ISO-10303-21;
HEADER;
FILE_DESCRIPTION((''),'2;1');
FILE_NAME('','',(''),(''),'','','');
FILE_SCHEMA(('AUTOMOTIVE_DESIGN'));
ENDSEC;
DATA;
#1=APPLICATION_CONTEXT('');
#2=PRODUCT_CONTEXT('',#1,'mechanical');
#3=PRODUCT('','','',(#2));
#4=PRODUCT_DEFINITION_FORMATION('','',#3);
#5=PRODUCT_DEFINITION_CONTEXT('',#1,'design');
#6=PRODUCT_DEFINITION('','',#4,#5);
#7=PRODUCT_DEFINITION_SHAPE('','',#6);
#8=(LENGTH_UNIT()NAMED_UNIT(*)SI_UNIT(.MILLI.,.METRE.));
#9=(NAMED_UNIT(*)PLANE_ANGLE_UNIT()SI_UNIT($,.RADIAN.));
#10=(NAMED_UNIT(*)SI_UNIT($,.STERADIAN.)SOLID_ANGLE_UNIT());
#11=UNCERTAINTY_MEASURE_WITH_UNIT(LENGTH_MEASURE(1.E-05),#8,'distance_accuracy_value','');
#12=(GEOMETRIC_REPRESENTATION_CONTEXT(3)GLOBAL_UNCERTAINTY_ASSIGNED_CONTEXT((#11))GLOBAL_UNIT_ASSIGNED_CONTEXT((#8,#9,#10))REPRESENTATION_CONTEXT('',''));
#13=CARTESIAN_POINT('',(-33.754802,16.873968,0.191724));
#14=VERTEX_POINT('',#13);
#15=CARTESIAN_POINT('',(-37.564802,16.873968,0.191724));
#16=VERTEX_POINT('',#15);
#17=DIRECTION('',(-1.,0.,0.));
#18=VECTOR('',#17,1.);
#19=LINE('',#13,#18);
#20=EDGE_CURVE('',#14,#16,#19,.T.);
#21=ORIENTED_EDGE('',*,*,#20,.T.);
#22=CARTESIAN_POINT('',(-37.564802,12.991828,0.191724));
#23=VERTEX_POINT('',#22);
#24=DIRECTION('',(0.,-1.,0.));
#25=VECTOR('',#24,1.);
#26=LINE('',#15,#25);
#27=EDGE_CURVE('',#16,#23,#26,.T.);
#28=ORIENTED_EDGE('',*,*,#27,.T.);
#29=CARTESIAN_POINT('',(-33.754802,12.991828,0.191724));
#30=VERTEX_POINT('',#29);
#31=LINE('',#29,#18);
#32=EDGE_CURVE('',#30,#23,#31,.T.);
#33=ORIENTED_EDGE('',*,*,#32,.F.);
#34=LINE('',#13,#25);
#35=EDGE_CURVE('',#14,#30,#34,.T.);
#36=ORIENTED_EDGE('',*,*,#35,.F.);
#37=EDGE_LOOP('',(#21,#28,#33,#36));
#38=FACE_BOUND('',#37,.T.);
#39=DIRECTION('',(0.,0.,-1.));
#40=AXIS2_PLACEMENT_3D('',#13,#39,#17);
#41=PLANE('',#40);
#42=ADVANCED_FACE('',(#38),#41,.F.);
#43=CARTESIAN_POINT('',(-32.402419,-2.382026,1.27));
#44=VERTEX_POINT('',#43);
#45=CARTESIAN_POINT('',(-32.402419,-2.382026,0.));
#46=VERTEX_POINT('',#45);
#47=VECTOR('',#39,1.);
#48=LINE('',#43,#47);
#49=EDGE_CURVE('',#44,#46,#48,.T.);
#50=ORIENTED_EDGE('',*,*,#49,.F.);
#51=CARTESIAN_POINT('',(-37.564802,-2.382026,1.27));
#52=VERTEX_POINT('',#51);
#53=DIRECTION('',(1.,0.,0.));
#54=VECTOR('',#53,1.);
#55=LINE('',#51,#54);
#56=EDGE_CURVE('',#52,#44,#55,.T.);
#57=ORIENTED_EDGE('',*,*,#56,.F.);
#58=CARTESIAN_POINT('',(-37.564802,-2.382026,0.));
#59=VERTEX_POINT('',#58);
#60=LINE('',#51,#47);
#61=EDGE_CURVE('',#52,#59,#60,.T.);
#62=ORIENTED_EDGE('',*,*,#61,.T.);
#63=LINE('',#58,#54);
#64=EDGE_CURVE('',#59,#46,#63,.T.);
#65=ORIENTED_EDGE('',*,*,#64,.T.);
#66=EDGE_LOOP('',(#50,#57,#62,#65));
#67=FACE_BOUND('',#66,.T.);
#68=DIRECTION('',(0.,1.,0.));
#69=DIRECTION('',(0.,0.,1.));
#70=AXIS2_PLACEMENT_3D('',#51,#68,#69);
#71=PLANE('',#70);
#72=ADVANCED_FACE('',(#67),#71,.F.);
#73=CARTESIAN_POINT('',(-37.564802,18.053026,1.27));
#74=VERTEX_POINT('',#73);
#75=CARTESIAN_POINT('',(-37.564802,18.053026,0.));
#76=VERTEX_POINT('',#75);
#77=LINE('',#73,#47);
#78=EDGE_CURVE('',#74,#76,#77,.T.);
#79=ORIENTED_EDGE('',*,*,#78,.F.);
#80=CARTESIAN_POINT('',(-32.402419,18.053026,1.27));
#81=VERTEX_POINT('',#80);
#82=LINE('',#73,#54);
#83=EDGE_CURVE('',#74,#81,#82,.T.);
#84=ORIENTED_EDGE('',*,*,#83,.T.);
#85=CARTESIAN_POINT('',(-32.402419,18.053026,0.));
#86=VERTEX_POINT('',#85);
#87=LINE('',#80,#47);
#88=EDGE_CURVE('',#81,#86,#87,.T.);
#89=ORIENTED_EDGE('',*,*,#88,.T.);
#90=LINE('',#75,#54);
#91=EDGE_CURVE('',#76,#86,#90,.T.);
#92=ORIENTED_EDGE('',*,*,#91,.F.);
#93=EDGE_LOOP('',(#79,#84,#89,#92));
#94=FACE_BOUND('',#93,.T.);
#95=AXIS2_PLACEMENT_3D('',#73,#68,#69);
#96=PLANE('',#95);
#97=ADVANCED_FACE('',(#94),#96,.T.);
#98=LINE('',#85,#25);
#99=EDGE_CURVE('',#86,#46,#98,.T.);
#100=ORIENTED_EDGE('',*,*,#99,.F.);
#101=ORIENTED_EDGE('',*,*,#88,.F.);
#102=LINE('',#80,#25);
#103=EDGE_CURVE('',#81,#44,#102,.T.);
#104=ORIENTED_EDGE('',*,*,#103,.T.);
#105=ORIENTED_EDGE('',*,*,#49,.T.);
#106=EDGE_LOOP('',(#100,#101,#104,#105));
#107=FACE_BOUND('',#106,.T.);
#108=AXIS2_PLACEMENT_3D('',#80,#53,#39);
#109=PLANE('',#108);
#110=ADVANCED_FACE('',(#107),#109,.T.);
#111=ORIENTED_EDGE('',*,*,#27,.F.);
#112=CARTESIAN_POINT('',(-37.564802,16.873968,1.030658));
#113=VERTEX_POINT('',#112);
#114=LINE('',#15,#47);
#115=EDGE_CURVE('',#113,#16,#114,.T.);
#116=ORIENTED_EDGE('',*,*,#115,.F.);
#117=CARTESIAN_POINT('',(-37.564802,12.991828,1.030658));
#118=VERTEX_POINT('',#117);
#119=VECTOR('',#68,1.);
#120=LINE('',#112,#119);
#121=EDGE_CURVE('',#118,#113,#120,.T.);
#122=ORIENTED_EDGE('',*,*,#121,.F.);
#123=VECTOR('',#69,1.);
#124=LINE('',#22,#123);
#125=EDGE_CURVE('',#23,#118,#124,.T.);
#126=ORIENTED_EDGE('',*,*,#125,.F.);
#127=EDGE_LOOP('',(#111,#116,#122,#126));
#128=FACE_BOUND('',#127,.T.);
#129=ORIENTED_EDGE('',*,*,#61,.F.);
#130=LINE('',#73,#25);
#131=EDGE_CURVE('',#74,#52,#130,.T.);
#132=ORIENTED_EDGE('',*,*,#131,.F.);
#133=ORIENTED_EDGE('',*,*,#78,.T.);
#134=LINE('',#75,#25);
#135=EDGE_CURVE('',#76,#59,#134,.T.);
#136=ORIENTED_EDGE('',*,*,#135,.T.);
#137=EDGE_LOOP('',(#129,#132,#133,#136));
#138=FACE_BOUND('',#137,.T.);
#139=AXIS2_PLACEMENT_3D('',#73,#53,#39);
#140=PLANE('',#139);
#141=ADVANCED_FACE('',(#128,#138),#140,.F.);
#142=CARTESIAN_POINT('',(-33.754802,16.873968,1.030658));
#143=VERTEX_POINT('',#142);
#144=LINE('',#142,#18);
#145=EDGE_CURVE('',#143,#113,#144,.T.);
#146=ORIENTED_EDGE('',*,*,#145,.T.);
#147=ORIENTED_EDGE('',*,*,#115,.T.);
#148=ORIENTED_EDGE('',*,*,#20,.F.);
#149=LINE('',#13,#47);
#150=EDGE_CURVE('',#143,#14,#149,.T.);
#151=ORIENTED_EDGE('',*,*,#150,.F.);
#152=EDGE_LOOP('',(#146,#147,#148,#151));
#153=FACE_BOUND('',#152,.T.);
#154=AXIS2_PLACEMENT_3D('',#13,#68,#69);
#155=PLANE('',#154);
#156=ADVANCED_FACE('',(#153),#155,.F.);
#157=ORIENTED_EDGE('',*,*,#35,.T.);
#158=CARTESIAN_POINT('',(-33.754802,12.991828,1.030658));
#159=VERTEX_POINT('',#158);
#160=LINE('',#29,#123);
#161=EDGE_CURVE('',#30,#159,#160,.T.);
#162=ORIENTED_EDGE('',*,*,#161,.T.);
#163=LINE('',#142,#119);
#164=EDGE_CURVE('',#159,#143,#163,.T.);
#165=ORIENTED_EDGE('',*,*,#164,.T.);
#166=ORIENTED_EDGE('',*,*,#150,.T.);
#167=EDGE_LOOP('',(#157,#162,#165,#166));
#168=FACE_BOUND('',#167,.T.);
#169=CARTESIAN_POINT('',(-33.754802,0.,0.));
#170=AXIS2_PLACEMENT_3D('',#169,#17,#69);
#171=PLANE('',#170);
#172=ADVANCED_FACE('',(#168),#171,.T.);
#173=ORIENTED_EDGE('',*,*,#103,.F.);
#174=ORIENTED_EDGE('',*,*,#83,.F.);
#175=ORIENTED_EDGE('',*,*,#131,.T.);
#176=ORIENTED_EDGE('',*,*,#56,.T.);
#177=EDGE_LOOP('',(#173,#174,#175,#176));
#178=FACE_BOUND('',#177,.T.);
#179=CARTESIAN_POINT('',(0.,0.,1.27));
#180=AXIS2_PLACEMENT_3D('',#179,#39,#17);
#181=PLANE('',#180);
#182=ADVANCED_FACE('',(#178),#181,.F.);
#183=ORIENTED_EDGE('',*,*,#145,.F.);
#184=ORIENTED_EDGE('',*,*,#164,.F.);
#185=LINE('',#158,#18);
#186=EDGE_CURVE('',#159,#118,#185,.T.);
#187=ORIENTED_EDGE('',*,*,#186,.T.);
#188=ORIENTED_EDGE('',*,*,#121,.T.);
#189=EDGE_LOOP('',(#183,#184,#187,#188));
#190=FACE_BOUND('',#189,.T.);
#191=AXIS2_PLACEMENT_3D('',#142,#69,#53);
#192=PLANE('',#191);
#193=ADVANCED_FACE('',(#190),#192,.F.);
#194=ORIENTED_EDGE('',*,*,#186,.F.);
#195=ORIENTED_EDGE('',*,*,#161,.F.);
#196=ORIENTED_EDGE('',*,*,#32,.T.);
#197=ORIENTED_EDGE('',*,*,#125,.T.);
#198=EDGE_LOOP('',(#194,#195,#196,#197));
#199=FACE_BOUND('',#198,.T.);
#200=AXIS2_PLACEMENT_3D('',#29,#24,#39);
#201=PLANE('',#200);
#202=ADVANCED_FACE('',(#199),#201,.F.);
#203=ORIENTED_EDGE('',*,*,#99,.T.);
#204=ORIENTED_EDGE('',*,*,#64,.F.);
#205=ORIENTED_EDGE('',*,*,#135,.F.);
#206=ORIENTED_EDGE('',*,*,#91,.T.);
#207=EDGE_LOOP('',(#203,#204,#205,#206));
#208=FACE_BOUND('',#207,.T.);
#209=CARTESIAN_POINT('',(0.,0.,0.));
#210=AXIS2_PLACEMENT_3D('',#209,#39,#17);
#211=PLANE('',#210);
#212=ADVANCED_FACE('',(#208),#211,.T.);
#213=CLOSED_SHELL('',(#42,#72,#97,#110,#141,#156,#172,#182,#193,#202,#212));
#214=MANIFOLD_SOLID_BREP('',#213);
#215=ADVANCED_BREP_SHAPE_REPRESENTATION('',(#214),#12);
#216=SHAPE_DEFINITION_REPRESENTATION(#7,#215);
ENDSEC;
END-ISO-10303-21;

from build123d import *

# Parameters (mm, degrees)
SKETCH1_W           = 5.162383308
SKETCH1_H           = 20.435052184
BOSS_EXTRUDE1_DEPTH = 1.27
SKETCH2_W           = 0.838933851
SKETCH2_H           = 3.882140463
CUT_EXTRUDE1_DEPTH  = 3.81


with BuildPart() as part:
    # Sketch1 → Boss-Extrude1 (new body)
    with BuildSketch(Plane.XY):
        with Locations((-34.98361032, 7.835499756)):
            Rectangle(SKETCH1_W, SKETCH1_H)
    extrude(amount=BOSS_EXTRUDE1_DEPTH)

    # Sketch2 → Cut-Extrude1 (cut)
    with BuildSketch(Plane.ZY.offset(37.564801974)):
        with Locations((0.611191145, 14.932897959)):
            Rectangle(SKETCH2_W, SKETCH2_H)
    extrude(amount=-CUT_EXTRUDE1_DEPTH, mode=Mode.SUBTRACT)


solid = part.part
